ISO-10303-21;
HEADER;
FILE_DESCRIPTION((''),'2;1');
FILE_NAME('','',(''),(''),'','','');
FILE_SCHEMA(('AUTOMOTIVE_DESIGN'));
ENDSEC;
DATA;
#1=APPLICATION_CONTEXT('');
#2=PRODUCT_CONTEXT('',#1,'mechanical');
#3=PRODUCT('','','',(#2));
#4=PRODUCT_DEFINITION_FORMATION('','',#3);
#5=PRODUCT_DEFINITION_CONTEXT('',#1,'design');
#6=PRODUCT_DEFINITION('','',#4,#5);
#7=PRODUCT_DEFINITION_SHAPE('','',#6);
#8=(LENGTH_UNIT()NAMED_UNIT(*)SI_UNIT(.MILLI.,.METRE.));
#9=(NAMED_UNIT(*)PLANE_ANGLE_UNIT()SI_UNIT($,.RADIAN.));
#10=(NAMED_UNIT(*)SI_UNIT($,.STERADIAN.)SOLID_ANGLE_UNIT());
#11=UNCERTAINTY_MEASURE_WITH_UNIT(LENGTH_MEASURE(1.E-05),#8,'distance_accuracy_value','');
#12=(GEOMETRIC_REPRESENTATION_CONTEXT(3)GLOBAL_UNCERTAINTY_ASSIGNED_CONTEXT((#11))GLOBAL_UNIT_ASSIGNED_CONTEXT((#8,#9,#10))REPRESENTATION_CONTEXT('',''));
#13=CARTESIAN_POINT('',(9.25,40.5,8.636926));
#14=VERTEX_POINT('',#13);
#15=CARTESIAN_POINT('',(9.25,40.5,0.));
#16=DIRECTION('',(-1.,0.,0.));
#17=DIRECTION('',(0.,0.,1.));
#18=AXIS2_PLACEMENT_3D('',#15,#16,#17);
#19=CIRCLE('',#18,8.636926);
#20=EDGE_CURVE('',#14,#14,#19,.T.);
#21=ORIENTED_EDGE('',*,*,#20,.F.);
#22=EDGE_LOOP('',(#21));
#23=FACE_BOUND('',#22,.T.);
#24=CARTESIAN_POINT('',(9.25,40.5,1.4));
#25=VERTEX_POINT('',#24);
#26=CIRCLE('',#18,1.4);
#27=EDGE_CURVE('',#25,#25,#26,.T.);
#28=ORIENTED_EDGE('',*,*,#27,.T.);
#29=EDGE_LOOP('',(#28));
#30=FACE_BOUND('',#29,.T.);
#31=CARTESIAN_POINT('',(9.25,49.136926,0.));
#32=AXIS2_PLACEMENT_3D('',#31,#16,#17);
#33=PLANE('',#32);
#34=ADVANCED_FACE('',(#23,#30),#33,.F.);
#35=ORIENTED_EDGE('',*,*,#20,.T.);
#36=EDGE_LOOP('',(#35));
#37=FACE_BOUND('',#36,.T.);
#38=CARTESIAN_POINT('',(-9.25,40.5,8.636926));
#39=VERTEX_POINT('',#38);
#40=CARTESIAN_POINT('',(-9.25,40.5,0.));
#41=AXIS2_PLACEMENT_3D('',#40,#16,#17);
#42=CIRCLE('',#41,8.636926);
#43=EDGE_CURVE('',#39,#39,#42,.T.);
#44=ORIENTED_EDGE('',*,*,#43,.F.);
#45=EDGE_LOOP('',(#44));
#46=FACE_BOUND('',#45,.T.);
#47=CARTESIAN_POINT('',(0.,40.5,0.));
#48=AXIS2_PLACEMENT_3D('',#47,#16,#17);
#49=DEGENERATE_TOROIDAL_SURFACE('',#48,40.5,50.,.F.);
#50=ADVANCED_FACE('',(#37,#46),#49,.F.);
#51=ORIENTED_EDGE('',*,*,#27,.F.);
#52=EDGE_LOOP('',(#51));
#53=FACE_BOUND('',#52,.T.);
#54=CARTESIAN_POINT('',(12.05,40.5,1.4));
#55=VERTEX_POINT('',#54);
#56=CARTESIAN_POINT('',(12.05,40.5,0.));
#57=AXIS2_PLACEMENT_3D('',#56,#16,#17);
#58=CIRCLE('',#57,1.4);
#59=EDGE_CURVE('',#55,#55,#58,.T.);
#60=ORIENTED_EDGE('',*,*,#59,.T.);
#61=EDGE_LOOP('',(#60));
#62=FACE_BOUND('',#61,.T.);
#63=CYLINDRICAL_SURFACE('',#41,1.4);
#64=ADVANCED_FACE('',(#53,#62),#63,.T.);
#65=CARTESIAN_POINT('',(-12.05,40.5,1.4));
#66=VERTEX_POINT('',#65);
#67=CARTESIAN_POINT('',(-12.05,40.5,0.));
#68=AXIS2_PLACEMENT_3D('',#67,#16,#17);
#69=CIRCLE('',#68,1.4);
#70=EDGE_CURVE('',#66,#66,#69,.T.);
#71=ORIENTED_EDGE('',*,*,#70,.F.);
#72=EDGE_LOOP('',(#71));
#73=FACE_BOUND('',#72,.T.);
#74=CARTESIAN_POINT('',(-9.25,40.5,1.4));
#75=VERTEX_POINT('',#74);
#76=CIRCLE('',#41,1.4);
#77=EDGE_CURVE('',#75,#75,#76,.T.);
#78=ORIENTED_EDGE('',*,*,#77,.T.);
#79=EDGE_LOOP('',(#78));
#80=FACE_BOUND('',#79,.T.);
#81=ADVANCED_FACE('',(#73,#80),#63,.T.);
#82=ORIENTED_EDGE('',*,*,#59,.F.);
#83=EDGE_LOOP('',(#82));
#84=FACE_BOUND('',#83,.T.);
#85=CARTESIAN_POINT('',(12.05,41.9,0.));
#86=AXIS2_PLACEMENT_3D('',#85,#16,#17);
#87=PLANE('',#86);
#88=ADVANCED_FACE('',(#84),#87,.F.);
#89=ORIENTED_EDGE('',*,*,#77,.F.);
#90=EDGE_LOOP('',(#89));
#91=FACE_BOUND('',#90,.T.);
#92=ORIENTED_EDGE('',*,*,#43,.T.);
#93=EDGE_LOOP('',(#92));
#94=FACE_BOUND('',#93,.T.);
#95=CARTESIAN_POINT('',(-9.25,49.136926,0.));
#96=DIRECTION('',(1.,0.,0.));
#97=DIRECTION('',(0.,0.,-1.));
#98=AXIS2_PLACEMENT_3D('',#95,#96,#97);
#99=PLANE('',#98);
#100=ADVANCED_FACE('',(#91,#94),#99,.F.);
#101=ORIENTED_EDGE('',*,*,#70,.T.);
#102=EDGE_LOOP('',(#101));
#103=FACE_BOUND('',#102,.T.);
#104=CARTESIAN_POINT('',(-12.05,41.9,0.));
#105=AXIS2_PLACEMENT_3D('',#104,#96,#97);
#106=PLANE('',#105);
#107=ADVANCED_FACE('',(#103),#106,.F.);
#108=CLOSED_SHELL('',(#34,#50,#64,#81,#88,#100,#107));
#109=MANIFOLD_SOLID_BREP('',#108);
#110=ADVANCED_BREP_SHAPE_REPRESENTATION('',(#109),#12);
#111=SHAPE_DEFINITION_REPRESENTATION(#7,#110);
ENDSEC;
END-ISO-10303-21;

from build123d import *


with BuildPart() as part:
    # Sketch1 → Revolve1 (revolve)
    with BuildSketch(Plane.XY):
        with BuildLine():
            Line((9.25, 49.136926033), (9.25, 41.9))
            Line((9.25, 41.9), (12.05, 41.9))
            Line((12.05, 41.9), (12.05, 40.5))
            Line((12.05, 40.5), (9.25, 40.5))
            Line((9.25, 40.5), (-9.25, 40.5))
            Line((-9.25, 40.5), (-12.05, 40.5))
            Line((-12.05, 40.5), (-12.05, 41.9))
            Line((-12.05, 41.9), (-9.25, 41.9))
            Line((-9.25, 41.9), (-9.25, 49.136926033))
            ThreePointArc((-9.25, 49.136926033), (0, 50), (9.25, 49.136926033))
        make_face()
    revolve(axis=Axis((-9.25, 40.5, 0), (1, 0, 0)))


solid = part.part
